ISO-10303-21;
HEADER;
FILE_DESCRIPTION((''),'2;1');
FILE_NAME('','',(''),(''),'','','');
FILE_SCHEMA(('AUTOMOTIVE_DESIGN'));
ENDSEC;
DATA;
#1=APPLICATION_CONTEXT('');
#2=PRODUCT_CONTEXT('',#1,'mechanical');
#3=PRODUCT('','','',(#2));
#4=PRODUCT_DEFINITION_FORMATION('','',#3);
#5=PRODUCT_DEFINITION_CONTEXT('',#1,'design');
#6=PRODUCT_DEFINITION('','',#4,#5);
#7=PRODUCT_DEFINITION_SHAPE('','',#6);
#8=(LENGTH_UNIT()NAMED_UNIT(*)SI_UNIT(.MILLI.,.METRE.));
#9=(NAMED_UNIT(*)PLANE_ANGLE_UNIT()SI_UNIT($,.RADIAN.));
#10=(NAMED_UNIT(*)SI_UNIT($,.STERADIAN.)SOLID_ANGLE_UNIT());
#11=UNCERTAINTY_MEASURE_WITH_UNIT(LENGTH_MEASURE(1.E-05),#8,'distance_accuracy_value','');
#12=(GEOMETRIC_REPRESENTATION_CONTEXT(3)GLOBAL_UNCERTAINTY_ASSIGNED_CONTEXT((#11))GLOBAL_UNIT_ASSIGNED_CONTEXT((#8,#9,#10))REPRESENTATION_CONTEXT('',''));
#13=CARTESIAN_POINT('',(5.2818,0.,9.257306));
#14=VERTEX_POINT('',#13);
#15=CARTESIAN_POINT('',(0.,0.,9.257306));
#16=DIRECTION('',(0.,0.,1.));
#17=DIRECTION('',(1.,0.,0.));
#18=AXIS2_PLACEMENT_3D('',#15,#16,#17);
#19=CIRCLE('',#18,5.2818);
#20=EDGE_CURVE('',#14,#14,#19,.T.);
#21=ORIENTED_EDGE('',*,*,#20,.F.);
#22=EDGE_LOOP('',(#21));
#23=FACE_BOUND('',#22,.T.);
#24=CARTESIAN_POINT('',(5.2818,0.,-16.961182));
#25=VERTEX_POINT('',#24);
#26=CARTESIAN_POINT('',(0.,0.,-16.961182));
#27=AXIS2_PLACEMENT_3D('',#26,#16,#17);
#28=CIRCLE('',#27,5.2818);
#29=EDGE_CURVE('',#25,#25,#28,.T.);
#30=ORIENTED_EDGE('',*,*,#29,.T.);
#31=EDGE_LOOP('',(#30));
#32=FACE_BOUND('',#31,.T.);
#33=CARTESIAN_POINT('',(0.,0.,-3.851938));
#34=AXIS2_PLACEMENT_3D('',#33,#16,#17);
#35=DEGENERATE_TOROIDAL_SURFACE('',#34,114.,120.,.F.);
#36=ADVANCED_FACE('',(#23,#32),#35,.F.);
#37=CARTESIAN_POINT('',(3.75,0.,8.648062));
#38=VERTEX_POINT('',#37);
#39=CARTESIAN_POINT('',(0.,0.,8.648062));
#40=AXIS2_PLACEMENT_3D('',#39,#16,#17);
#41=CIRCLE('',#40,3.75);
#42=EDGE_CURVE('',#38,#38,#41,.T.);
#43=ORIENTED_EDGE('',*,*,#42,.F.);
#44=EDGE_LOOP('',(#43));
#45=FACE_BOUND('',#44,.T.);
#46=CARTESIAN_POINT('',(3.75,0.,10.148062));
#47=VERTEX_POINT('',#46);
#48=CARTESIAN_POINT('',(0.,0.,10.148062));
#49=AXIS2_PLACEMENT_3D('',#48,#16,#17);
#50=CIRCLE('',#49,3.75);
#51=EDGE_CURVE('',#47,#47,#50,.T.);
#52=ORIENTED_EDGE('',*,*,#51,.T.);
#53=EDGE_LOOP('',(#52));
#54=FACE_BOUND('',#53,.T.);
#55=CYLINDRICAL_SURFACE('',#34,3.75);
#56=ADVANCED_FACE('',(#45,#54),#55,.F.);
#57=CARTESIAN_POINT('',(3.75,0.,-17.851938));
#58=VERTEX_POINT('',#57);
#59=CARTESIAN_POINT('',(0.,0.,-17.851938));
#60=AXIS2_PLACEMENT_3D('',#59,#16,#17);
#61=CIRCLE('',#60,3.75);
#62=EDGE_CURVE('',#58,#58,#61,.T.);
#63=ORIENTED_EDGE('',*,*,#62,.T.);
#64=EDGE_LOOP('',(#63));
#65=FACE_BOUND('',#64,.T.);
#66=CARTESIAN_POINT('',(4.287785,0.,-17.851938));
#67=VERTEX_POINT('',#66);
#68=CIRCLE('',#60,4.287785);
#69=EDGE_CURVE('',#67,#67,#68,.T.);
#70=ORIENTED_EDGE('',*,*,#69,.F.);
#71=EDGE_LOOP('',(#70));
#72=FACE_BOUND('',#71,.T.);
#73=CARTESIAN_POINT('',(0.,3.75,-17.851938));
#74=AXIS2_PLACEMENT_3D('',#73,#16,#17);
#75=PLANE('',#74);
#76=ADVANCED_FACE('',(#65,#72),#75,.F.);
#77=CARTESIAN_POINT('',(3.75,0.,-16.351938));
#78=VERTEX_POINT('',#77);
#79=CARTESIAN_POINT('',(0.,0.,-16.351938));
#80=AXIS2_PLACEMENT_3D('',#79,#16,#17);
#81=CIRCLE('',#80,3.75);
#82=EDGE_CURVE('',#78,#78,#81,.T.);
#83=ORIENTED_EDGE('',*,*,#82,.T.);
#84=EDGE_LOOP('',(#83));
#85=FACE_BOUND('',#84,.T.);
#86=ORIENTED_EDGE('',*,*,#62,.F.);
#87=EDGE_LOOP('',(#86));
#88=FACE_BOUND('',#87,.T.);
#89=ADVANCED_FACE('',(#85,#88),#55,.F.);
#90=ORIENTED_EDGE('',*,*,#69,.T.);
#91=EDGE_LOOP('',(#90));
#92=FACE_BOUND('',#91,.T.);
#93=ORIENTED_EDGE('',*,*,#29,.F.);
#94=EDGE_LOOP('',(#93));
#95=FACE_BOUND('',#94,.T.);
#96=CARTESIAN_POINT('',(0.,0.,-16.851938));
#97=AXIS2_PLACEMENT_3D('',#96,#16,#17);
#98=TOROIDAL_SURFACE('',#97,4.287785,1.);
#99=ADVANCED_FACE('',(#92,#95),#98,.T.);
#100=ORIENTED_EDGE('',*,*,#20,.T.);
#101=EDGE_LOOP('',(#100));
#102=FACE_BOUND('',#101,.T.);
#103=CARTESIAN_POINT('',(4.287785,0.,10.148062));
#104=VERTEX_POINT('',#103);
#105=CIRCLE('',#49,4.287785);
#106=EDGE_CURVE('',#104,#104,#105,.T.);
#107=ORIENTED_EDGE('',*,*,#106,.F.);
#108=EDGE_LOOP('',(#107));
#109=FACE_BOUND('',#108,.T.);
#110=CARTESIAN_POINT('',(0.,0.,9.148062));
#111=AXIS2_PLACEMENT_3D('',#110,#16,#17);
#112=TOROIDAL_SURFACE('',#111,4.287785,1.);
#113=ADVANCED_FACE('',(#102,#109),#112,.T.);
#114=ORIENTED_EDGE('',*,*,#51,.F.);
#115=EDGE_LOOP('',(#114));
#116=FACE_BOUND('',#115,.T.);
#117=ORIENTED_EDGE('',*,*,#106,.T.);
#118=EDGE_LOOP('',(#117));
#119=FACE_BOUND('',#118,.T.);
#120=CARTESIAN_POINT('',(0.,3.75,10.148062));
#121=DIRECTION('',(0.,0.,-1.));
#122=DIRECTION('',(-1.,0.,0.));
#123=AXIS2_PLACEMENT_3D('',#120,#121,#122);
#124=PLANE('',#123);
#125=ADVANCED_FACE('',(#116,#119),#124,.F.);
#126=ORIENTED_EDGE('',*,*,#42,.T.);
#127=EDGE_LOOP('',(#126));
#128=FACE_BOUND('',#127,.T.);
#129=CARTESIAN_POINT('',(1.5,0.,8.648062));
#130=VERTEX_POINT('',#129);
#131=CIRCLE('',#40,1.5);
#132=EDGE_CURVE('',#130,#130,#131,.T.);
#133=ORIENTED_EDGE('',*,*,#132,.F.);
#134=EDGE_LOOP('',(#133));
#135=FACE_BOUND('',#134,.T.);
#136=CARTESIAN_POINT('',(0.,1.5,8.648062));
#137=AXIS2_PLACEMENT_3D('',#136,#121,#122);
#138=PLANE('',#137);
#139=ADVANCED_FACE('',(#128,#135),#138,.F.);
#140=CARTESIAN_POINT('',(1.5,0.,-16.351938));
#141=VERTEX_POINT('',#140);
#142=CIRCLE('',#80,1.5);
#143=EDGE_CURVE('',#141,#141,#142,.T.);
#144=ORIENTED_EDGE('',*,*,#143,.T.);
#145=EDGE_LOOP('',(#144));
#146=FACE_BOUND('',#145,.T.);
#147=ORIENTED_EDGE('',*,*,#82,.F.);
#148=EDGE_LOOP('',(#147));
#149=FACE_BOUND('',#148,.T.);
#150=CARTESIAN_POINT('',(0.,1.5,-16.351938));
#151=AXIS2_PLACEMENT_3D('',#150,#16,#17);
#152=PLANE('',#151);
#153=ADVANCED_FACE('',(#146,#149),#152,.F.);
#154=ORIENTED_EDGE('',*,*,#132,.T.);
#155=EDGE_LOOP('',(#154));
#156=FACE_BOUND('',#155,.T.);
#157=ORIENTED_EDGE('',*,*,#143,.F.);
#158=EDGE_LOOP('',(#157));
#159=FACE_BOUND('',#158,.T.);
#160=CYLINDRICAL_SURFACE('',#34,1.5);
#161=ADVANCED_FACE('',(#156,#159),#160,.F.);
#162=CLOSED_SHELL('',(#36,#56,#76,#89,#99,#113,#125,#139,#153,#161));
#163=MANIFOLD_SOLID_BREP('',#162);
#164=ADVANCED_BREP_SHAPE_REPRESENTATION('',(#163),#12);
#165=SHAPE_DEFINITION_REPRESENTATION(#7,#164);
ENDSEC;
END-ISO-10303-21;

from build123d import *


with BuildPart() as part:
    # 草图2 → 旋转1 (revolve)
    with BuildSketch(Plane(origin=(0, 0, 0), x_dir=(0, 0, -1), z_dir=(1, 0, 0)), mode=Mode.PRIVATE) as revolve_1_sk:
        with BuildLine():
            Line((-8.648061997, 1.5), (16.351938003, 1.5))
            Line((16.351938003, 1.5), (16.351938003, 3.75))
            Line((16.351938003, 3.75), (17.851938003, 3.75))
            Line((17.851938003, 3.75), (17.851938003, 4.287784661))
            ThreePointArc((17.851938003, 4.287784661), (17.596667382, 4.95515124), (16.9611817, 5.281799658))
            ThreePointArc((16.9611817, 5.281799658), (3.851938003, 6), (-9.257305695, 5.281799658))
            ThreePointArc((-9.257305695, 5.281799658), (-9.892791377, 4.95515124), (-10.148061997, 4.287784661))
            Line((-10.148061997, 4.287784661), (-10.148061997, 3.75))
            Line((-10.148061997, 3.75), (-8.648061997, 3.75))
            Line((-8.648061997, 3.75), (-8.648061997, 1.5))
        make_face()
    revolve(revolve_1_sk.sketch.rotate(Axis((0, 0, -3.851938003), (0, 0, -1)), 90), axis=Axis((0, 0, -3.851938003), (0, 0, -1)))


solid = part.part
